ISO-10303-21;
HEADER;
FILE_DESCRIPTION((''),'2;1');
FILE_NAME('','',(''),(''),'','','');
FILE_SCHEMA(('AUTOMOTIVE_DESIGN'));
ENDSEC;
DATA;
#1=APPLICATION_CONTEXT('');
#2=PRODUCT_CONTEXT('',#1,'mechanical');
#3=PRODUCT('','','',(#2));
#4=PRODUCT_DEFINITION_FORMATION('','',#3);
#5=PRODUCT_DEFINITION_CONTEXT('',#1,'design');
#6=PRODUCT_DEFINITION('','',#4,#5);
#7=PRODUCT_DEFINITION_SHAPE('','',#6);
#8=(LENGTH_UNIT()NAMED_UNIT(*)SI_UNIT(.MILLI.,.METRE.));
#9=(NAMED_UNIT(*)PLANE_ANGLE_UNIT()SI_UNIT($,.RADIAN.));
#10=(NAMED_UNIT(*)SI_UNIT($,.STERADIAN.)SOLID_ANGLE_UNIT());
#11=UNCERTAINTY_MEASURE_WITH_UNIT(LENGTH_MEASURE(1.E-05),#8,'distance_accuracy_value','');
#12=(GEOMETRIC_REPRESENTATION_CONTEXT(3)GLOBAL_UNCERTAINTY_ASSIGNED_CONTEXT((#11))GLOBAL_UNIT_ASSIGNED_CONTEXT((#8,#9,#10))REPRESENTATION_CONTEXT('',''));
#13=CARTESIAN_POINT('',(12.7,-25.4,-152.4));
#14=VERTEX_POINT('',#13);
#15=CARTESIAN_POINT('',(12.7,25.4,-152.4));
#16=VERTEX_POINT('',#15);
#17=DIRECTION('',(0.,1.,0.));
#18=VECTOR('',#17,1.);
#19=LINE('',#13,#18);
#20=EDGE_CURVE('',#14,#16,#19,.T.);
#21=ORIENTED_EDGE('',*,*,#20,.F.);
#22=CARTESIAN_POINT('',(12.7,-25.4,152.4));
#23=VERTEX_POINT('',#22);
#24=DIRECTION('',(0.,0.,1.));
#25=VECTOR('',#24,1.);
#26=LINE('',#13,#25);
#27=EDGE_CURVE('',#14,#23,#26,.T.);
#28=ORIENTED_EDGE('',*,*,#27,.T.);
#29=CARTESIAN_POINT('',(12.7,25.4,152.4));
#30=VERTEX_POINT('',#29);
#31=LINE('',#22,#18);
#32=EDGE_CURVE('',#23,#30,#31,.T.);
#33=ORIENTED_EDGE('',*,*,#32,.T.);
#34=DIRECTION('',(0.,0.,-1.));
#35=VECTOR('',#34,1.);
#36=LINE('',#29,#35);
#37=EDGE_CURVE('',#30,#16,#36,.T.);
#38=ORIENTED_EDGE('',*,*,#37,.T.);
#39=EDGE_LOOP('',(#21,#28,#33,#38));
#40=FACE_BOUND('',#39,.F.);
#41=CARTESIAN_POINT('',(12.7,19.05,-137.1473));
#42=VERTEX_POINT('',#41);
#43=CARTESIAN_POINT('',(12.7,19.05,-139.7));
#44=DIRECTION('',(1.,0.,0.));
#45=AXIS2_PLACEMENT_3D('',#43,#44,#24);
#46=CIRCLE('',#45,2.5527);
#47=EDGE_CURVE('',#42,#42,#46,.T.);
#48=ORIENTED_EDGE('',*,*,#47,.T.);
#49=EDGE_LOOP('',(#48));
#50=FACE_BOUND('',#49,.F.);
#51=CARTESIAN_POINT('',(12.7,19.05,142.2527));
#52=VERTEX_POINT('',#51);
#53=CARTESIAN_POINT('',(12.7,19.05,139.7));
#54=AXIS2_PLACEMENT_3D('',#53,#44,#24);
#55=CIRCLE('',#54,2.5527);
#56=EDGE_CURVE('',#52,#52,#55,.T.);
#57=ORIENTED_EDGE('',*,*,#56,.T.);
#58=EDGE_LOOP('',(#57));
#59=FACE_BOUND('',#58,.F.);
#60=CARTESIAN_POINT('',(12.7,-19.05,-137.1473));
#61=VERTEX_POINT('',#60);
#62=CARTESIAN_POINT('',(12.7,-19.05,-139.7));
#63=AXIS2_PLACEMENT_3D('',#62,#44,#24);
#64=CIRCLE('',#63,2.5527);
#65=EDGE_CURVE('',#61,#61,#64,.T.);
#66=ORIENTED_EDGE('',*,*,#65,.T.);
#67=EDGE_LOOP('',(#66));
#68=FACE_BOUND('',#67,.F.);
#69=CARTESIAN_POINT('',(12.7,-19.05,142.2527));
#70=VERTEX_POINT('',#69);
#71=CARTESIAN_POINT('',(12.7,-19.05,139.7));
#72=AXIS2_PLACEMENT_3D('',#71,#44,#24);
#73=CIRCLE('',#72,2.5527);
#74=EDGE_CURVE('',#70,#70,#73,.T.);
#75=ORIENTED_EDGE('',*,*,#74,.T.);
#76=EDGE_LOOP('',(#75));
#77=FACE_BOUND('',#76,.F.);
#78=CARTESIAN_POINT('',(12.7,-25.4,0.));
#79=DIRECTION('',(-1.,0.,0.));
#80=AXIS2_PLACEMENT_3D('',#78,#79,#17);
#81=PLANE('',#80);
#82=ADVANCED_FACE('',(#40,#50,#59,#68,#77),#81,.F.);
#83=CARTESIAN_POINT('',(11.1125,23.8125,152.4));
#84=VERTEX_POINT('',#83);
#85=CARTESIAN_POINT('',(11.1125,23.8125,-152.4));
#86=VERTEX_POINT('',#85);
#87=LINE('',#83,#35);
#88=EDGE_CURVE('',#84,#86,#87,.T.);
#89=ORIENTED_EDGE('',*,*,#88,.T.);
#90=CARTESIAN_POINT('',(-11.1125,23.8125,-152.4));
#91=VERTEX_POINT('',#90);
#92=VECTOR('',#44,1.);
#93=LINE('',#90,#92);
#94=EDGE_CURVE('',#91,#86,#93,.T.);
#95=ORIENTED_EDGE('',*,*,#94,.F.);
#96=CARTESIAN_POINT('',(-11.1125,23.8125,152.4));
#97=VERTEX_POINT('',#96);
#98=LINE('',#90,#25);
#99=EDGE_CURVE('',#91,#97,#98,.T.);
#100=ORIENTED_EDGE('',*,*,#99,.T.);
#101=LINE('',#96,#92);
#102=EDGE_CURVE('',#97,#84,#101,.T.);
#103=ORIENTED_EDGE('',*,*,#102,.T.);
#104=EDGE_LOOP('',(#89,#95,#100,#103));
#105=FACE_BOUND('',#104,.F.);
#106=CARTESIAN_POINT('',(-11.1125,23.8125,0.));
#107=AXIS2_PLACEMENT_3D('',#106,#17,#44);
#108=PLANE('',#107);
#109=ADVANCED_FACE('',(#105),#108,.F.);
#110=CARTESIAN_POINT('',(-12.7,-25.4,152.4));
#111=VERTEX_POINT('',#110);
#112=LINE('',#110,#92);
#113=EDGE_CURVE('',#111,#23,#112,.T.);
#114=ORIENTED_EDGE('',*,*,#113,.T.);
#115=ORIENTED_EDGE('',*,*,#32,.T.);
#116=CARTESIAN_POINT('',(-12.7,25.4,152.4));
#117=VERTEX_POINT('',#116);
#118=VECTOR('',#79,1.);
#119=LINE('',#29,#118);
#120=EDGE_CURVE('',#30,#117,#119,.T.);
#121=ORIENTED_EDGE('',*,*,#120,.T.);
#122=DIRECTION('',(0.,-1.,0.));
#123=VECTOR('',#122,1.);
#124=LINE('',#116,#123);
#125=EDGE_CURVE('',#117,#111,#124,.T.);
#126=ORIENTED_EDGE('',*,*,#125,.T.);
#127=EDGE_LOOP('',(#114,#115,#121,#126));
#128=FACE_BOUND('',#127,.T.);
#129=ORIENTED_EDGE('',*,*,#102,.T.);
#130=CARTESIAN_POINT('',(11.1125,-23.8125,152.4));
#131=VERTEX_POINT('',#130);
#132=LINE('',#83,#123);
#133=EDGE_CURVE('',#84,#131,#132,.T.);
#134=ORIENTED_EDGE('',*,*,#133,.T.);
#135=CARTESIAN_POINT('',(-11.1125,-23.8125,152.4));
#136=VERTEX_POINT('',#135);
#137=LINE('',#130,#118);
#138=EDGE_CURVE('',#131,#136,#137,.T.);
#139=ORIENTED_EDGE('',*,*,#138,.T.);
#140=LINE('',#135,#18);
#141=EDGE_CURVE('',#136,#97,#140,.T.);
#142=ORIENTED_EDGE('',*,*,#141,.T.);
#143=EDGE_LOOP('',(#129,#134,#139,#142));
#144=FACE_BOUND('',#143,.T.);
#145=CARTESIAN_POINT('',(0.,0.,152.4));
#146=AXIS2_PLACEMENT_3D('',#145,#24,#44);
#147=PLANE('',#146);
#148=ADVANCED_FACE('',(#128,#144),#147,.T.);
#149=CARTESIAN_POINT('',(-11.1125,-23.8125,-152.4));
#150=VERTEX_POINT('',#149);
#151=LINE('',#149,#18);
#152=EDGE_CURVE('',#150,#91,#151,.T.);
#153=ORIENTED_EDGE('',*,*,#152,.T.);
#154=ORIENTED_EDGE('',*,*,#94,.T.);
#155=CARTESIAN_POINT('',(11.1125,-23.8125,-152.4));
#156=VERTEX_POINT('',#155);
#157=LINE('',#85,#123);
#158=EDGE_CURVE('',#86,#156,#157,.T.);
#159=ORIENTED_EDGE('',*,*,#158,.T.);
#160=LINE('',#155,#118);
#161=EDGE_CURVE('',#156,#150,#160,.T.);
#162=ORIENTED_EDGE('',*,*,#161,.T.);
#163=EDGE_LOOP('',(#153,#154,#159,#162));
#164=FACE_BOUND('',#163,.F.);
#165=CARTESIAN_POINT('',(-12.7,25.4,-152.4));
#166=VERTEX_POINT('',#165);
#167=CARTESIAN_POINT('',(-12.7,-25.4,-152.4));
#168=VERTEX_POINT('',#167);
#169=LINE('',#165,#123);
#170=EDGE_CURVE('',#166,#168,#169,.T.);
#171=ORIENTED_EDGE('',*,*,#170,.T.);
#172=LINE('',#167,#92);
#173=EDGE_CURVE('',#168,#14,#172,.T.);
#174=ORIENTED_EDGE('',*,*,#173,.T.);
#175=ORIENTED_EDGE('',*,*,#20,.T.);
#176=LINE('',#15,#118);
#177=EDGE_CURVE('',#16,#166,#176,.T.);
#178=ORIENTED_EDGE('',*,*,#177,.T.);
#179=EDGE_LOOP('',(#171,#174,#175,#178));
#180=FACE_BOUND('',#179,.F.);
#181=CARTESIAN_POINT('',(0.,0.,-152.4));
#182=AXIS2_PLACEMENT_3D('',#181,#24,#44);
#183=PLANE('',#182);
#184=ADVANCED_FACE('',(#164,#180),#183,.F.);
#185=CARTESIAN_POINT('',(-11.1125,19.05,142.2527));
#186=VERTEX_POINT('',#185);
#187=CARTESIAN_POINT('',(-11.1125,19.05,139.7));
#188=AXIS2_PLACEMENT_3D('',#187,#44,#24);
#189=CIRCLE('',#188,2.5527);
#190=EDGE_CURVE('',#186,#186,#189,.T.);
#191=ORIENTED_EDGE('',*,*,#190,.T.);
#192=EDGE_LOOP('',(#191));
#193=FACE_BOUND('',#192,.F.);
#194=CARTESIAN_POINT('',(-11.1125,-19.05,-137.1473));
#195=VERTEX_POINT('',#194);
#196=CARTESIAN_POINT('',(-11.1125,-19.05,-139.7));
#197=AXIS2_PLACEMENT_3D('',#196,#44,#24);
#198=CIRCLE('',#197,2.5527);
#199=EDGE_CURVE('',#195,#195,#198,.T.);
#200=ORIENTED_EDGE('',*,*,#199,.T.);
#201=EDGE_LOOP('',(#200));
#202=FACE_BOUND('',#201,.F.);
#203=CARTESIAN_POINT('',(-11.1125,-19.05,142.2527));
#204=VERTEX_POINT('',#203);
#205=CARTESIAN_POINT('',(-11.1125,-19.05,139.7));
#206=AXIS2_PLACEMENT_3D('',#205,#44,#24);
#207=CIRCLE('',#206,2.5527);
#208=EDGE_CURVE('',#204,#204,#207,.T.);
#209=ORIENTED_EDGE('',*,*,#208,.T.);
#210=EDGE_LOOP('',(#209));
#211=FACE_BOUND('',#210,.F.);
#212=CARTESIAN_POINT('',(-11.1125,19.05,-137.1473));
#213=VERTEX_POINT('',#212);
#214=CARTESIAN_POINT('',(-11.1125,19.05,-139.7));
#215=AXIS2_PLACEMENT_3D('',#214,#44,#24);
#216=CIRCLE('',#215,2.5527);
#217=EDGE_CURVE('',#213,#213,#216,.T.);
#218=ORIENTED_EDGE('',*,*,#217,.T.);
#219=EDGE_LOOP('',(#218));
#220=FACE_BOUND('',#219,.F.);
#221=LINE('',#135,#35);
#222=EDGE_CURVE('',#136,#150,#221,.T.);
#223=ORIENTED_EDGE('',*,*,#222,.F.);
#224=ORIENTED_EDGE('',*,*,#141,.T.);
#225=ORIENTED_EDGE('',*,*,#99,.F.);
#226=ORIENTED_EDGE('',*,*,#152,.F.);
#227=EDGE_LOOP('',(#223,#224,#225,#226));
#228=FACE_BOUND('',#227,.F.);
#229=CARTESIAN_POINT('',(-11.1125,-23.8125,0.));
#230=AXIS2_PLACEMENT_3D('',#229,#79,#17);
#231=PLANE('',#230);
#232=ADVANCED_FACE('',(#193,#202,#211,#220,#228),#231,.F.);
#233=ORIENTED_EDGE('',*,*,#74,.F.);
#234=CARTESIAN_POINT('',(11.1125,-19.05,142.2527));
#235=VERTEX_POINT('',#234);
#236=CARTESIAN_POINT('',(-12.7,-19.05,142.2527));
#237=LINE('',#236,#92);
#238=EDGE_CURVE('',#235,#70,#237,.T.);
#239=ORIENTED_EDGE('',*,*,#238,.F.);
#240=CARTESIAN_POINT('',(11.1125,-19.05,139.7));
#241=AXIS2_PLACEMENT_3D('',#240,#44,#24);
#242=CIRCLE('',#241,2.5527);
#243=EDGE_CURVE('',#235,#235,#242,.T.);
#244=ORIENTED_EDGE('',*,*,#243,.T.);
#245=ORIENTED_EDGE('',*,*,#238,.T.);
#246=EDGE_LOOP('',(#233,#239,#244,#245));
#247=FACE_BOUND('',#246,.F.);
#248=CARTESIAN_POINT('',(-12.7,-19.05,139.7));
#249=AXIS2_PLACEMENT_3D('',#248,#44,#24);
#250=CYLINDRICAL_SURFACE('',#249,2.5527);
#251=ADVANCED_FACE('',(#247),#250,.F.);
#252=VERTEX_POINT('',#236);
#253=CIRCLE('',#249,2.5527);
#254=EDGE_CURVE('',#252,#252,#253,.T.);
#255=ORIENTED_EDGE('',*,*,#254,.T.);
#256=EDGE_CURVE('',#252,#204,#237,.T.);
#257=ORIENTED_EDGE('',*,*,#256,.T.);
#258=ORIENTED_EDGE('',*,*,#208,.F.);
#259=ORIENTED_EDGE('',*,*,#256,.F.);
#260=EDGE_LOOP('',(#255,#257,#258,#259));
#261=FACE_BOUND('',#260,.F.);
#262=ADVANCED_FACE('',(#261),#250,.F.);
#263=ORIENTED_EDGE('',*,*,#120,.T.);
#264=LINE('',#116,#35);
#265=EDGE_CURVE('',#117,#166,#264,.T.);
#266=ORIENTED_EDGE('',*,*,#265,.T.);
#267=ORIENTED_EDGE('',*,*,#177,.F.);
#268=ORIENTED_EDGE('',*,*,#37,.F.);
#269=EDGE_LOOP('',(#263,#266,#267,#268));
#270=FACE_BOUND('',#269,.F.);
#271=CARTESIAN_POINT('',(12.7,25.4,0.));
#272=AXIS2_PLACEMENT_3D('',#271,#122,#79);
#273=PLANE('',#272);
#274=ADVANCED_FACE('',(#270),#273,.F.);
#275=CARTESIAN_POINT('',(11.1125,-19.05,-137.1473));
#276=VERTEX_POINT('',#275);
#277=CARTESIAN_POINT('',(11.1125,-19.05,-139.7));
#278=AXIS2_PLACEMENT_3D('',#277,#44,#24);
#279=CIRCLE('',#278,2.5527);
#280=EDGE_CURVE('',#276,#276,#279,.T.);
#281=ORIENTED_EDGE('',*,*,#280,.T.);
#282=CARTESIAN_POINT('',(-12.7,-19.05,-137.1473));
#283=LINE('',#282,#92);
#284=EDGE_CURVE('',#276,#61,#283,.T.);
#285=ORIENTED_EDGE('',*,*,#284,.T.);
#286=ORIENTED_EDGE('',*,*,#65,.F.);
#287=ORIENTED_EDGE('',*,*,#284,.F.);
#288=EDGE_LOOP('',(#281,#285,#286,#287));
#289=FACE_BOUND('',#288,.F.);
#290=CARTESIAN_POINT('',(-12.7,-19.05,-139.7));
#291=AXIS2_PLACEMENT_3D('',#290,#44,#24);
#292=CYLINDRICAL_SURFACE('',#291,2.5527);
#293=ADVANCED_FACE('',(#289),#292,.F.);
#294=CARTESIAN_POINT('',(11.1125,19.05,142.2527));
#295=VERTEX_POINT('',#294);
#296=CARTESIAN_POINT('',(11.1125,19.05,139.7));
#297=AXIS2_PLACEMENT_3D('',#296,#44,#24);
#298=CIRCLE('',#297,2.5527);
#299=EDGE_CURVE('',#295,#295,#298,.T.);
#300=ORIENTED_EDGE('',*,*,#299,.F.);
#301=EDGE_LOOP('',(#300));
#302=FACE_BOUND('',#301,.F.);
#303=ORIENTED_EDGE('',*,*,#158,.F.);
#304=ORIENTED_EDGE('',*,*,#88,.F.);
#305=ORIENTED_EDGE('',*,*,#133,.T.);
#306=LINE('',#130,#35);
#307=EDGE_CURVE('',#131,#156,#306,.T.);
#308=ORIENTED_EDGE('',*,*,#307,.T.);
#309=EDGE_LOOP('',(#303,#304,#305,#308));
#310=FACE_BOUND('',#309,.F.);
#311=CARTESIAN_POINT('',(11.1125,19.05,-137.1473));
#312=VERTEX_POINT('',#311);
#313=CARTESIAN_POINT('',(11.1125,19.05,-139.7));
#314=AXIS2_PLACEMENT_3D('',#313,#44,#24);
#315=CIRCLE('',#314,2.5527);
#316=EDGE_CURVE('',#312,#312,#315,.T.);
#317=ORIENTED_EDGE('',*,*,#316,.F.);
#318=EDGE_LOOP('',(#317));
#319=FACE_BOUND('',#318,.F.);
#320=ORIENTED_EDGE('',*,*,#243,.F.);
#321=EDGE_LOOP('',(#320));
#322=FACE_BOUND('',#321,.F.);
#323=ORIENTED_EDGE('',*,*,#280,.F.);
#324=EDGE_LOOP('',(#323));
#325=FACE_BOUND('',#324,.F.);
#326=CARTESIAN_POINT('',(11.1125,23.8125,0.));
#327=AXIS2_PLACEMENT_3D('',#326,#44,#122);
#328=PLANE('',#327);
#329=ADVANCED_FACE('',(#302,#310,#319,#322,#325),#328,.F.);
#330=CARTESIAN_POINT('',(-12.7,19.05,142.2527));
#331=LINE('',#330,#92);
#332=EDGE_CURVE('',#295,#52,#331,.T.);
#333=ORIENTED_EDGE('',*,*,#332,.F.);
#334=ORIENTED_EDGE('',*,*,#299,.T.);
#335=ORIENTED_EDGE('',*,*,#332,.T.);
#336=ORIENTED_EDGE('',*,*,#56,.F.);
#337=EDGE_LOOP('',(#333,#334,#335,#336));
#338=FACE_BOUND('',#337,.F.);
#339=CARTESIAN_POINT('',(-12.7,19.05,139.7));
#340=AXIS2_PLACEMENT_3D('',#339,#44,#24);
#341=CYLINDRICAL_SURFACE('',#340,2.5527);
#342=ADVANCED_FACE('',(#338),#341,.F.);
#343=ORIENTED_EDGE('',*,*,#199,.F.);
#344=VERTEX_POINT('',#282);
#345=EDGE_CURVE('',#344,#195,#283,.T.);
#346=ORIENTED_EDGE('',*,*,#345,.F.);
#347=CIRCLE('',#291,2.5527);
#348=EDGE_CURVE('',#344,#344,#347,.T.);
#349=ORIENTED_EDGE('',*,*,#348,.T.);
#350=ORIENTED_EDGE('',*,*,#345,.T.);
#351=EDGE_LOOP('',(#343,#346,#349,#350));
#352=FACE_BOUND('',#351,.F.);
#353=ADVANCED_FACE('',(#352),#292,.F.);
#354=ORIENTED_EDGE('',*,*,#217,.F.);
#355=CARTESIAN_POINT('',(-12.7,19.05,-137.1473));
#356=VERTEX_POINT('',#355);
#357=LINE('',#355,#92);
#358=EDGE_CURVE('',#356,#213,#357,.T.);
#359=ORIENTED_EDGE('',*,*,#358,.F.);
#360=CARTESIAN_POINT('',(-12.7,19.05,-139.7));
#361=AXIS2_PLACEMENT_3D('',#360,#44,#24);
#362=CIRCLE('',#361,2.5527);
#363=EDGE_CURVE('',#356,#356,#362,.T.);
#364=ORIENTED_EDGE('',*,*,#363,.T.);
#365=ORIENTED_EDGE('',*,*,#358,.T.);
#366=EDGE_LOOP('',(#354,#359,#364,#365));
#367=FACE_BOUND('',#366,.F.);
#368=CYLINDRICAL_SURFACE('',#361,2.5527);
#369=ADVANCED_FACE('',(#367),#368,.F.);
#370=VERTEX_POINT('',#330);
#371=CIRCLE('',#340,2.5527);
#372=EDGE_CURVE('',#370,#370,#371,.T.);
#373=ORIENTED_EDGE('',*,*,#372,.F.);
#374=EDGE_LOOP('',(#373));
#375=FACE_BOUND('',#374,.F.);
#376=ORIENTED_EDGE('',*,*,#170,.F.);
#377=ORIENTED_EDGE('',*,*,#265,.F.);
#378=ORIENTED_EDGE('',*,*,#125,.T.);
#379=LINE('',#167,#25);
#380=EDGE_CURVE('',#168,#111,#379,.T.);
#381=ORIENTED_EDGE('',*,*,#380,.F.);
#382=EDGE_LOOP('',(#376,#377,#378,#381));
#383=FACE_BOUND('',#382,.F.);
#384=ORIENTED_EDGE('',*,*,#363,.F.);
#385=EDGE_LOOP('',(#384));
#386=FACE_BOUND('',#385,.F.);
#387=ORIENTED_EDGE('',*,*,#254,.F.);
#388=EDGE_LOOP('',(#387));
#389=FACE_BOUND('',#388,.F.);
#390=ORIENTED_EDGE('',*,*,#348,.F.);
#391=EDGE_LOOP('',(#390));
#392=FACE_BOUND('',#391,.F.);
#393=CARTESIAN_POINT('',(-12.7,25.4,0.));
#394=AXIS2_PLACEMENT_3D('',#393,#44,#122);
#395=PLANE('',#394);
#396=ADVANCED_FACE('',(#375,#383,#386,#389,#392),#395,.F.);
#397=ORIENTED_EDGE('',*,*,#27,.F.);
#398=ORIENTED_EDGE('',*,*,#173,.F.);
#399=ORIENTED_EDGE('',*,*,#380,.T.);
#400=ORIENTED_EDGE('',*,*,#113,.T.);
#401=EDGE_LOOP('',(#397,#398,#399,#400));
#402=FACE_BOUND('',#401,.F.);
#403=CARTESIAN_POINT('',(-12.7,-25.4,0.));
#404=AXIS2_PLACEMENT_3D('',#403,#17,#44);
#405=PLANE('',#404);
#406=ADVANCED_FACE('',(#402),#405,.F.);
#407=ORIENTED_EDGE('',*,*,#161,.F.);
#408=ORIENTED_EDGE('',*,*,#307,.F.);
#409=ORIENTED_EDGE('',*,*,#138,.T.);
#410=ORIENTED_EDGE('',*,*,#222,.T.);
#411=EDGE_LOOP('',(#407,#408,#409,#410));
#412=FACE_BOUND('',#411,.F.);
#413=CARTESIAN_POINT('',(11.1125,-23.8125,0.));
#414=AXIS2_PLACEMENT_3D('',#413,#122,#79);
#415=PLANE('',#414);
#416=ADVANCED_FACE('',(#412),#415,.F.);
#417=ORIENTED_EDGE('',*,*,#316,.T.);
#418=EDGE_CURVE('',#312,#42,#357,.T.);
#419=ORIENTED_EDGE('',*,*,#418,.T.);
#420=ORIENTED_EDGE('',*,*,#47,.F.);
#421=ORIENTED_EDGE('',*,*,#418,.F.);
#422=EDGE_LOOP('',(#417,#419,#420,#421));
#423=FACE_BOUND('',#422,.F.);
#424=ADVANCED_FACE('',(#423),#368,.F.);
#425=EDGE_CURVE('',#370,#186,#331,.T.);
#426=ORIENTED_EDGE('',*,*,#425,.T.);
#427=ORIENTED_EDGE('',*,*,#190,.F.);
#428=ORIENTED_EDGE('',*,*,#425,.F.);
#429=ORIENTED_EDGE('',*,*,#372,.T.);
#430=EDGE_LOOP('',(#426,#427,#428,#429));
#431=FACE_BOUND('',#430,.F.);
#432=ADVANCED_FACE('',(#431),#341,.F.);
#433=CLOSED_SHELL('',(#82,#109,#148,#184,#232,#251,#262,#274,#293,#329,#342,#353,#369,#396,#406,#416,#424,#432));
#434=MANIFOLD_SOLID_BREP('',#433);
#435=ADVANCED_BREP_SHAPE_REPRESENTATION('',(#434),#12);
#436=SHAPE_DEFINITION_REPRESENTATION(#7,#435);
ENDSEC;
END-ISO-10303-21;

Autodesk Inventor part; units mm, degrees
ref_plane "YZ Plane" through (0, 0, 0) normal (1, 0, 0) x (0, 1, 0)
ref_plane "XZ Plane" through (0, 0, 0) normal (0, 1, 0) x (-1, 0, 0)
ref_plane "XY Plane" through (0, 0, 0) normal (0, 0, 1) x (1, 0, 0)
sketch "Sketch1" plane through (0, 0, 0) normal (0, 0, 1) x (1, 0, 0)
  line L0 (-12.7, -25.4) -> (12.7, -25.4)
  line L1 (12.7, -25.4) -> (12.7, 25.4)
  line L2 (12.7, 25.4) -> (-12.7, 25.4)
  line L3 (-12.7, 25.4) -> (-12.7, -25.4)
  line L4 (-12.7, -25.4) -> (12.7, 25.4) construction
  line L5 (12.7, -25.4) -> (-12.7, 25.4) construction
  line L6 (-11.1125, 23.8125) -> (11.1125, 23.8125)
  line L7 (11.1125, 23.8125) -> (11.1125, -23.8125)
  line L8 (11.1125, -23.8125) -> (-11.1125, -23.8125)
  line L9 (-11.1125, -23.8125) -> (-11.1125, 23.8125)
  point P0 (0, 0)
  dimension "width" = 25.4
  dimension "height" = 50.8
  dimension "thickness" = 1.5875
extrude "Extrusion1" add sketch "Sketch1" along normal mid plane 304.8
sketch "Sketch2" plane through (-12.7, -25.4, 152.4) normal (-1, 0, 0) x (0, 0, 1)
  line L0 (-292.1, 44.45) -> (-292.1, 6.35) construction
  line L1 (-304.8, 0) -> (-304.8, 50.8) construction
  line L2 (0, 50.8) -> (0, 0) construction
  point P0 (-152.4, 25.4)
  point P1 (-12.7, 6.35)
  point P2 (-12.7, 44.45)
  point P3 (-292.1, 25.4)
  dimension "d5" = 12.7
  dimension "d6" = 12.7
  dimension "d7" = 38.1
hole "Hole1" at (-12.7, 19.05, -139.7) at (-12.7, -19.05, -139.7) at (-12.7, -19.05, 139.7) at (-12.7, 19.05, 139.7) direction (1, 0, 0) diameter 5.1054 end through all clearance for "Flat Head Machine Screw (82)" size "#10" standard "Ansi Unified Screw Threads"
properties part number "CL7-015" material "Aluminum 6061"
